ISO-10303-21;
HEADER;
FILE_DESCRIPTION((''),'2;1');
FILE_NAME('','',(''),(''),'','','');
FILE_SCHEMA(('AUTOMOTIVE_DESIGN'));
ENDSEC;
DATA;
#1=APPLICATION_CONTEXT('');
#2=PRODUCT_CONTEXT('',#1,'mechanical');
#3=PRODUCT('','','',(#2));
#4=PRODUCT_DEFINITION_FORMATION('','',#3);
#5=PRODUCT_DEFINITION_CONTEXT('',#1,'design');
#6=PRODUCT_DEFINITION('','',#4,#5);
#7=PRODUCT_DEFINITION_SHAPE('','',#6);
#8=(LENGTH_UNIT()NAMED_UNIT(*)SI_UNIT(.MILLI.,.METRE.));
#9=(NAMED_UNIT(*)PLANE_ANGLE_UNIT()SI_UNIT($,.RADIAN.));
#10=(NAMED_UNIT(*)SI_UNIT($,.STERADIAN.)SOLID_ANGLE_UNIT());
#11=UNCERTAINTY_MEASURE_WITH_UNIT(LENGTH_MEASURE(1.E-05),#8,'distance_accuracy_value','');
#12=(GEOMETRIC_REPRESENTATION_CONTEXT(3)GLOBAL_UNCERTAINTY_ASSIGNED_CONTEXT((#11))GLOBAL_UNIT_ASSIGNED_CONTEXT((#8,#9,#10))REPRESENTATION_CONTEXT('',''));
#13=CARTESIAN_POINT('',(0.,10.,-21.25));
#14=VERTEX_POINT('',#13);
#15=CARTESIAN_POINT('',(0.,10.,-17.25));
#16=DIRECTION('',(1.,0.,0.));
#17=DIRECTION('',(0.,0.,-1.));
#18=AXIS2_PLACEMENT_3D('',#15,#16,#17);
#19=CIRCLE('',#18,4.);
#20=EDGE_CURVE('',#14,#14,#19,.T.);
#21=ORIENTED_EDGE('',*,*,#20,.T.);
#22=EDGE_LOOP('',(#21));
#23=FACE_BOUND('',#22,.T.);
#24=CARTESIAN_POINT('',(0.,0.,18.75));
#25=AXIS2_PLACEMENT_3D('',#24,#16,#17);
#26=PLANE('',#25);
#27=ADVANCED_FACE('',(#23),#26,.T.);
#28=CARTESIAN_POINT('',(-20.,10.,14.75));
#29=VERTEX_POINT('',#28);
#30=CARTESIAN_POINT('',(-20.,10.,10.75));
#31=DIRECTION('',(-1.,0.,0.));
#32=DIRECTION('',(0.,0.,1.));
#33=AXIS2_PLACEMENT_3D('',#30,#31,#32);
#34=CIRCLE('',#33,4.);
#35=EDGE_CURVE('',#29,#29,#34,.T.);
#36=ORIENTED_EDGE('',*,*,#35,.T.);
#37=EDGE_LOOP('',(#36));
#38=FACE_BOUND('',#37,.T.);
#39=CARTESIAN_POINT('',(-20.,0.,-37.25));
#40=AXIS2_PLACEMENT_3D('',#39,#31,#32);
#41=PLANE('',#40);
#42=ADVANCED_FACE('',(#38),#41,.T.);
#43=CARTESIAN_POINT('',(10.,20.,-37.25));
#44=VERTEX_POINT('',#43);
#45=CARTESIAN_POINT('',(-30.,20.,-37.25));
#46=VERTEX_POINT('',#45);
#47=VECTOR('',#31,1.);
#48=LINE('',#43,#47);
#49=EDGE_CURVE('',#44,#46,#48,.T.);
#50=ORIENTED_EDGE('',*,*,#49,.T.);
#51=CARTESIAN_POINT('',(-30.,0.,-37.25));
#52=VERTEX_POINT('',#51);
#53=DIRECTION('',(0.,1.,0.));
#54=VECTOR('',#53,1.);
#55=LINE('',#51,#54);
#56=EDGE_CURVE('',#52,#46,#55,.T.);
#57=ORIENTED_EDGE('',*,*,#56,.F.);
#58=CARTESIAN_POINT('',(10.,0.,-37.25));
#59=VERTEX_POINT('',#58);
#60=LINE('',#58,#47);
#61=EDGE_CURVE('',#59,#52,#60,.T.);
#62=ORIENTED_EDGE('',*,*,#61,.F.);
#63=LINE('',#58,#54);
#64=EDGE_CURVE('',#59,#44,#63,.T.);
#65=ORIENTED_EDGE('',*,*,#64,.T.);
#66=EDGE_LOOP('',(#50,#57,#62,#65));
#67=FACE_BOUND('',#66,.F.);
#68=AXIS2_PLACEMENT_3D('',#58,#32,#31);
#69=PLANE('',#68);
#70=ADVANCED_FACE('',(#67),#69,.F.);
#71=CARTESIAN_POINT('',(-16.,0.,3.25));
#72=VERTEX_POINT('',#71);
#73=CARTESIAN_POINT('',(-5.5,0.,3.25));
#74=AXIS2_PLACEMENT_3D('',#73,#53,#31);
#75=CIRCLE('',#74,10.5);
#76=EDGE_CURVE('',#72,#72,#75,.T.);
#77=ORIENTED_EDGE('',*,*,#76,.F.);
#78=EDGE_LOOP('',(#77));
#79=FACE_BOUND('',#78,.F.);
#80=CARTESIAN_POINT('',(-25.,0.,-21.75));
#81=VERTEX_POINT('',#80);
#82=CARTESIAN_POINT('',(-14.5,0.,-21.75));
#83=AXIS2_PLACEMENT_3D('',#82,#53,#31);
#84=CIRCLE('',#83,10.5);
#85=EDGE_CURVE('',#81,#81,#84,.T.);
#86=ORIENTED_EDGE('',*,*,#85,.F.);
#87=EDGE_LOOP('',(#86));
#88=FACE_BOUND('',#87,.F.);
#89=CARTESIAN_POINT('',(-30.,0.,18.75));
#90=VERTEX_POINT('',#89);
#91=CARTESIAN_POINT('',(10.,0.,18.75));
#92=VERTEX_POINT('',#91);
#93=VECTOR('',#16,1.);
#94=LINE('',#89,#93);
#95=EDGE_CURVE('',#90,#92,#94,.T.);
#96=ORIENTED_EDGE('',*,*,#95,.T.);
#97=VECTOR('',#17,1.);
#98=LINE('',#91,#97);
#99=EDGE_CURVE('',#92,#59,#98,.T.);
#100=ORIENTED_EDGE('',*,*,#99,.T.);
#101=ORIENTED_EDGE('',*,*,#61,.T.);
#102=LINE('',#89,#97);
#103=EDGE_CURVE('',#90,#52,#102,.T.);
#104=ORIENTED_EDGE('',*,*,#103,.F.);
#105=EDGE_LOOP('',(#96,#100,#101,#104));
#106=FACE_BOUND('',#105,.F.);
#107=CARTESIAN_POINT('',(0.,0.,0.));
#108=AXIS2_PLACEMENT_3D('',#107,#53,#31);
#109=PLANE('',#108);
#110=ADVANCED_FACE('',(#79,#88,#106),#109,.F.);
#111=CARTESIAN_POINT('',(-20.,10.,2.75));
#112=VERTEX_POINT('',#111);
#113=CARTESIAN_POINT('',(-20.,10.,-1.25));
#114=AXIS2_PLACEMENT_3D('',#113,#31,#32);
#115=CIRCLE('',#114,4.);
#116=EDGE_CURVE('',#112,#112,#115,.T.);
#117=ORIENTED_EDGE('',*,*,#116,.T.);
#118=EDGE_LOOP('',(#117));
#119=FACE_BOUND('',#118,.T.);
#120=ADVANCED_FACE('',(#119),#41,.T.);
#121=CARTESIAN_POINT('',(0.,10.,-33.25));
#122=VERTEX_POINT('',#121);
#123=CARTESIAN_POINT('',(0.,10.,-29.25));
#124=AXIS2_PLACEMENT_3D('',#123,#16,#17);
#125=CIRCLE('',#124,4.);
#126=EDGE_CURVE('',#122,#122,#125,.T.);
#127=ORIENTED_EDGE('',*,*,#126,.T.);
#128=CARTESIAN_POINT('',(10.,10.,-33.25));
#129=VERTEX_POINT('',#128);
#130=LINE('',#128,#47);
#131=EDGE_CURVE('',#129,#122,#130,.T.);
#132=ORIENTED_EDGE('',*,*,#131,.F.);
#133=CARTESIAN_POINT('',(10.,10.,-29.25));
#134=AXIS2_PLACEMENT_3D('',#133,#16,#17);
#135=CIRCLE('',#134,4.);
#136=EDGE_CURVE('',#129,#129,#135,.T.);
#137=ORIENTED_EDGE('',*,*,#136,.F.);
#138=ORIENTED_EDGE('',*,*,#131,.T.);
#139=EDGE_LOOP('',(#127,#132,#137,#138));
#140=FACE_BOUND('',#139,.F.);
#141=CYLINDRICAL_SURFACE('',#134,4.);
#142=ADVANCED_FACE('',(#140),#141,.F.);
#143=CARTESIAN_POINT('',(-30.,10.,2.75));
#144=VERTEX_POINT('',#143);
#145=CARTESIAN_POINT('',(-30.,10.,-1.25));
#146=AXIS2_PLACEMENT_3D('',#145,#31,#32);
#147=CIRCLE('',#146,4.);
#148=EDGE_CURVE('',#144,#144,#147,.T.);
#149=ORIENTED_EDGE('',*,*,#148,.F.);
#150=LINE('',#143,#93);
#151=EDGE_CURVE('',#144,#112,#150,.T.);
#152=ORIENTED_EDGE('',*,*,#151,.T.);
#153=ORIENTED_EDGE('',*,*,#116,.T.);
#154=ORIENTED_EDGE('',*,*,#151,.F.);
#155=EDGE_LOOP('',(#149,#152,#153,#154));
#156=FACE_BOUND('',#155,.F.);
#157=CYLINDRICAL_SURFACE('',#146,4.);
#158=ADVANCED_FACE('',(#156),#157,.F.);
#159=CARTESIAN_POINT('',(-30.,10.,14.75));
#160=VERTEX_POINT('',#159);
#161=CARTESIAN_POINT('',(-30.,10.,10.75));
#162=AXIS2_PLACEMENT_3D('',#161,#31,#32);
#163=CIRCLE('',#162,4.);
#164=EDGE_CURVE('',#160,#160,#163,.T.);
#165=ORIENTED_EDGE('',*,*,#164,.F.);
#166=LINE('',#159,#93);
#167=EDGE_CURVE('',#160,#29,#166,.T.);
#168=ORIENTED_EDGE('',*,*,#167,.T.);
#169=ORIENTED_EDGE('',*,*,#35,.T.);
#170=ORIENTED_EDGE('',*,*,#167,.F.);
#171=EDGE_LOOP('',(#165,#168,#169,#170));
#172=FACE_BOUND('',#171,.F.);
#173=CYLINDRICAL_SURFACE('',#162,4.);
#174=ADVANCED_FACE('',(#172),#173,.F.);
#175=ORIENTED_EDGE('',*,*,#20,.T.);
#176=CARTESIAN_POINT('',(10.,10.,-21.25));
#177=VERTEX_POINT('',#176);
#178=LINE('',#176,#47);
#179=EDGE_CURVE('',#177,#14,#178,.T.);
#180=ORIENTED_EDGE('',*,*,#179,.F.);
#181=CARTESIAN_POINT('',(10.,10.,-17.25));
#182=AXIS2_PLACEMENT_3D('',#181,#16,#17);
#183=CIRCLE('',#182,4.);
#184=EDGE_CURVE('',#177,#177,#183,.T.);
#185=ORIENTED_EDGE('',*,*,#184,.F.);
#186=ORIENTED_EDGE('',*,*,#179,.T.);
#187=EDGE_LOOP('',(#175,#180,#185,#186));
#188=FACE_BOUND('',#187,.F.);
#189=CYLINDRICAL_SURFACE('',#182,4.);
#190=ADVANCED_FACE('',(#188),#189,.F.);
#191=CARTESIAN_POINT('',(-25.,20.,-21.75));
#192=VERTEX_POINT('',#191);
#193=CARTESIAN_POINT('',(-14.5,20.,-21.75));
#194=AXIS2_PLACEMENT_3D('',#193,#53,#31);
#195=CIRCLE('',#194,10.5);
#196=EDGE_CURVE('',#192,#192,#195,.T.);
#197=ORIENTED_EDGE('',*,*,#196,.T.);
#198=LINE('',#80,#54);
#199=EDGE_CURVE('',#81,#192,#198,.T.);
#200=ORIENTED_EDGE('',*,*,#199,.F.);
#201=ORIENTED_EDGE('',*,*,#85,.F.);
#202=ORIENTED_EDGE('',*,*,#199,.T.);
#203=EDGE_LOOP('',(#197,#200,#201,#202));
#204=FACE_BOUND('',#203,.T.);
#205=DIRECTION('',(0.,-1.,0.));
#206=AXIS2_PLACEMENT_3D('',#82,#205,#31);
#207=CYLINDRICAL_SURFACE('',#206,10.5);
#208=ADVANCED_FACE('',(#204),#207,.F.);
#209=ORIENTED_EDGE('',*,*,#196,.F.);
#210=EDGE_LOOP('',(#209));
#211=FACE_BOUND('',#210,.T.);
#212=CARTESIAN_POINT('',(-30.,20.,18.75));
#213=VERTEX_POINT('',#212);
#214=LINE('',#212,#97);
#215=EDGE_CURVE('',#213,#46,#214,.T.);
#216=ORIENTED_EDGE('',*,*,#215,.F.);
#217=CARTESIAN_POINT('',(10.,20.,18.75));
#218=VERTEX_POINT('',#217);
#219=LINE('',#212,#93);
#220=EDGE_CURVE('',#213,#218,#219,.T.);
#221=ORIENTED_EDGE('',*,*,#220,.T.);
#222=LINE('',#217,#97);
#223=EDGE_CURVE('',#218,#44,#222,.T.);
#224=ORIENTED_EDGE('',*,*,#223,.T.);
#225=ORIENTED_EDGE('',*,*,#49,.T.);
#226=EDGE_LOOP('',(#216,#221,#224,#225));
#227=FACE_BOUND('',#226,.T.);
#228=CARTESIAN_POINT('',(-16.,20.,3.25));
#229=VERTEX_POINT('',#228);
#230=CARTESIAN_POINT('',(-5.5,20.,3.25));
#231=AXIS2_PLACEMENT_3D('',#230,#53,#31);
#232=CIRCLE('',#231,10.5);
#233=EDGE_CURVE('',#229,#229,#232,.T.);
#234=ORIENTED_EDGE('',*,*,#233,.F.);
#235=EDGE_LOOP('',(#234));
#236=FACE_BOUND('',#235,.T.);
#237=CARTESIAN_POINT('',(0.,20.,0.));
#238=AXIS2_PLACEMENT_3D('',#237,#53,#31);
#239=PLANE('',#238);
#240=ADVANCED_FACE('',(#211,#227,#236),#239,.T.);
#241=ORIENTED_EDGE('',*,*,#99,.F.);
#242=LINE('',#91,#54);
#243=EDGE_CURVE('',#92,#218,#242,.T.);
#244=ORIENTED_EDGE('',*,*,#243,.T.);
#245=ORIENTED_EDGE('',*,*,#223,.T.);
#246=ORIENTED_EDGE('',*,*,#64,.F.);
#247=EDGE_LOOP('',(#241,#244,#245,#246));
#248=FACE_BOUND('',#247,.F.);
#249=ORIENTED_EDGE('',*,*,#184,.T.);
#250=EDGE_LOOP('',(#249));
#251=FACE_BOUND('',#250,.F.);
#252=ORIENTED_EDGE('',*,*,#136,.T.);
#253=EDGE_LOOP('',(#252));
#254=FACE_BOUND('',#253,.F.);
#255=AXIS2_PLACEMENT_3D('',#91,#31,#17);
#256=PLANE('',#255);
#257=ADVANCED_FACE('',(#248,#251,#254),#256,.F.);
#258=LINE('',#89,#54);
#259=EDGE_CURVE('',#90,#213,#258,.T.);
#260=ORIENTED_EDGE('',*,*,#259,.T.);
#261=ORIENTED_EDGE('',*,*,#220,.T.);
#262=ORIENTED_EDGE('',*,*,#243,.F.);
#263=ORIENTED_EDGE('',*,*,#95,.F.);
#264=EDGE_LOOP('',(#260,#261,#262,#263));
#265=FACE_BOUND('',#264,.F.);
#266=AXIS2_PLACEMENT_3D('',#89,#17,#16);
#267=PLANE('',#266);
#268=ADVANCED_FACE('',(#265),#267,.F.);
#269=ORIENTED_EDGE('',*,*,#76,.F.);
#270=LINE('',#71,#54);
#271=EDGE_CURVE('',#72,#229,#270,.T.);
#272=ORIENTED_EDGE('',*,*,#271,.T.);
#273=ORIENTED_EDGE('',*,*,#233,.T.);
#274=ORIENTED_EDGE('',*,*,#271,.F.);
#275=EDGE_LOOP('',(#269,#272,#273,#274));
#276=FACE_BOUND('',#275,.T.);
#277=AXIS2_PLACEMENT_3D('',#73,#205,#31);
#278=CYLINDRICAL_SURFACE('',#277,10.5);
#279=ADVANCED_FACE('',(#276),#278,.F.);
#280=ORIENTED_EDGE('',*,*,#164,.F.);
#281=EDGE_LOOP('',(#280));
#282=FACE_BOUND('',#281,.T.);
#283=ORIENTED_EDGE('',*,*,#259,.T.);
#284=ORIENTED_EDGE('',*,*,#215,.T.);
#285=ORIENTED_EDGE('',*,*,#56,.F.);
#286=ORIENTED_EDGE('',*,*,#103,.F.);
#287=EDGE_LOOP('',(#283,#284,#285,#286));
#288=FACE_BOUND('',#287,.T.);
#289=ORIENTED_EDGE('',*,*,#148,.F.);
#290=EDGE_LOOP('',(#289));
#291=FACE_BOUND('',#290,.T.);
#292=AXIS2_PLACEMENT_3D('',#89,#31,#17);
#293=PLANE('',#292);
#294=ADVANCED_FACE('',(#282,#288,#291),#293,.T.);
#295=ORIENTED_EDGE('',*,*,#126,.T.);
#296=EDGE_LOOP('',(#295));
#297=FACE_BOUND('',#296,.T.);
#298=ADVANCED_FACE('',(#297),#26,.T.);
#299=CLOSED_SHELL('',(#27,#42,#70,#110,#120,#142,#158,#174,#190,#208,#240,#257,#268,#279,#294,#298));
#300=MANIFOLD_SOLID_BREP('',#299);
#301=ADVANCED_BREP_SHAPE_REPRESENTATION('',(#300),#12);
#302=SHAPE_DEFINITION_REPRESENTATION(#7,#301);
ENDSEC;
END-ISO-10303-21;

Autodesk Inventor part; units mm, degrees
ref_plane "YZ Plane" through (0, 0, 0) normal (1, 0, 0) x (0, 1, 0)
ref_plane "XZ Plane" through (0, 0, 0) normal (0, 1, 0) x (-1, 0, 0)
ref_plane "XY Plane" through (0, 0, 0) normal (0, 0, 1) x (1, 0, 0)
sketch "Sketch1" plane through (0, 0, 0) normal (0, 1, 0) x (-1, 0, 0)
  line L0 (30, 18.75) -> (-10, 18.75)
  line L1 (30, 18.75) -> (30, -37.25)
  line L2 (-10, 18.75) -> (-10, -37.25)
  line L3 (-10, -37.25) -> (30, -37.25)
  circle A0 centre (5.5, 3.25) radius 10.5
  circle A1 centre (14.5, -21.75) radius 10.5
  point P0 (0, 0)
  dimension "szerokosc_jakas" = 40
  dimension "dlugosc_docisku" = 56
  dimension "srendica_walka" = 21
  dimension "odsuniecie_walka" = 15.5
  dimension "d4" = 15.5
  dimension "d5" = 21
  dimension "przesuniecie_wzgledne_walkow" = 9
  dimension "d7" = 25
extrude "Extrusion1" add sketch "Sketch1" along normal blind 20
sketch "Sketch2" plane through (10, 0, 18.75) normal (1, 0, 0) x (0, 0, -1)
  circle A0 centre (48, 10) radius 4
  line L0 (56, 0) -> (56, 20) projected
  line L1 (0, 20) -> (56, 20) construction
  circle A1 centre (36, 10) radius 4
  line L2 (69, 10) -> (-3, 10) construction
  point P0 (18.75, 0)
  dimension "d10" = 8
  dimension "d11" = 8
  dimension "d15" = 12
  dimension "d25" = 10
extrude "Extrusion2" cut sketch "Sketch2" against normal blind 10
sketch "Sketch3" plane through (-30, 0, -37.25) normal (-1, 0, 0) x (0, 0, 1)
  circle A0 centre (48, 10) radius 4
  circle A1 centre (36, 10) radius 4
  line L0 (56, 0) -> (56, 20) projected
  line L1 (0, 0) -> (56, 0) projected
  line L2 (75, 10) -> (-12, 10) construction
  point P0 (37.25, 0)
  dimension "d18" = 8
  dimension "d19" = 8
  dimension "d21" = 8
  dimension "d22" = 12
  dimension "d24" = 10
extrude "Extrusion3" cut sketch "Sketch3" against normal blind 10
equation "\"szerokosc_jakas\" = szerokosc"
equation "\"dlugosc_docisku\" = dlugosc"
equation "\"srendica_walka\" = srednica_walka"
equation "\"d4\" = -0.5 * przesuniecie_wzgledne_walkow + 0.5 * szerokosc_jakas"
equation "\"d5\" = srednica_walka"
equation "\"d25\" = 0.5 * grubosc"
equation "\"gw\" = glebokosc_gwintu"
equation "\"d24\" = 0.5 * grubosc"
equation "\"d26\" = glebokosc_gwintu"
equation "\"glebokosc_gwintu\" = 10"
equation "\"szerokosc\" = 40"
equation "\"dlugosc\" = 56"
equation "\"srednica_walka\" = 21"
equation "\"grubosc\" = 20"
